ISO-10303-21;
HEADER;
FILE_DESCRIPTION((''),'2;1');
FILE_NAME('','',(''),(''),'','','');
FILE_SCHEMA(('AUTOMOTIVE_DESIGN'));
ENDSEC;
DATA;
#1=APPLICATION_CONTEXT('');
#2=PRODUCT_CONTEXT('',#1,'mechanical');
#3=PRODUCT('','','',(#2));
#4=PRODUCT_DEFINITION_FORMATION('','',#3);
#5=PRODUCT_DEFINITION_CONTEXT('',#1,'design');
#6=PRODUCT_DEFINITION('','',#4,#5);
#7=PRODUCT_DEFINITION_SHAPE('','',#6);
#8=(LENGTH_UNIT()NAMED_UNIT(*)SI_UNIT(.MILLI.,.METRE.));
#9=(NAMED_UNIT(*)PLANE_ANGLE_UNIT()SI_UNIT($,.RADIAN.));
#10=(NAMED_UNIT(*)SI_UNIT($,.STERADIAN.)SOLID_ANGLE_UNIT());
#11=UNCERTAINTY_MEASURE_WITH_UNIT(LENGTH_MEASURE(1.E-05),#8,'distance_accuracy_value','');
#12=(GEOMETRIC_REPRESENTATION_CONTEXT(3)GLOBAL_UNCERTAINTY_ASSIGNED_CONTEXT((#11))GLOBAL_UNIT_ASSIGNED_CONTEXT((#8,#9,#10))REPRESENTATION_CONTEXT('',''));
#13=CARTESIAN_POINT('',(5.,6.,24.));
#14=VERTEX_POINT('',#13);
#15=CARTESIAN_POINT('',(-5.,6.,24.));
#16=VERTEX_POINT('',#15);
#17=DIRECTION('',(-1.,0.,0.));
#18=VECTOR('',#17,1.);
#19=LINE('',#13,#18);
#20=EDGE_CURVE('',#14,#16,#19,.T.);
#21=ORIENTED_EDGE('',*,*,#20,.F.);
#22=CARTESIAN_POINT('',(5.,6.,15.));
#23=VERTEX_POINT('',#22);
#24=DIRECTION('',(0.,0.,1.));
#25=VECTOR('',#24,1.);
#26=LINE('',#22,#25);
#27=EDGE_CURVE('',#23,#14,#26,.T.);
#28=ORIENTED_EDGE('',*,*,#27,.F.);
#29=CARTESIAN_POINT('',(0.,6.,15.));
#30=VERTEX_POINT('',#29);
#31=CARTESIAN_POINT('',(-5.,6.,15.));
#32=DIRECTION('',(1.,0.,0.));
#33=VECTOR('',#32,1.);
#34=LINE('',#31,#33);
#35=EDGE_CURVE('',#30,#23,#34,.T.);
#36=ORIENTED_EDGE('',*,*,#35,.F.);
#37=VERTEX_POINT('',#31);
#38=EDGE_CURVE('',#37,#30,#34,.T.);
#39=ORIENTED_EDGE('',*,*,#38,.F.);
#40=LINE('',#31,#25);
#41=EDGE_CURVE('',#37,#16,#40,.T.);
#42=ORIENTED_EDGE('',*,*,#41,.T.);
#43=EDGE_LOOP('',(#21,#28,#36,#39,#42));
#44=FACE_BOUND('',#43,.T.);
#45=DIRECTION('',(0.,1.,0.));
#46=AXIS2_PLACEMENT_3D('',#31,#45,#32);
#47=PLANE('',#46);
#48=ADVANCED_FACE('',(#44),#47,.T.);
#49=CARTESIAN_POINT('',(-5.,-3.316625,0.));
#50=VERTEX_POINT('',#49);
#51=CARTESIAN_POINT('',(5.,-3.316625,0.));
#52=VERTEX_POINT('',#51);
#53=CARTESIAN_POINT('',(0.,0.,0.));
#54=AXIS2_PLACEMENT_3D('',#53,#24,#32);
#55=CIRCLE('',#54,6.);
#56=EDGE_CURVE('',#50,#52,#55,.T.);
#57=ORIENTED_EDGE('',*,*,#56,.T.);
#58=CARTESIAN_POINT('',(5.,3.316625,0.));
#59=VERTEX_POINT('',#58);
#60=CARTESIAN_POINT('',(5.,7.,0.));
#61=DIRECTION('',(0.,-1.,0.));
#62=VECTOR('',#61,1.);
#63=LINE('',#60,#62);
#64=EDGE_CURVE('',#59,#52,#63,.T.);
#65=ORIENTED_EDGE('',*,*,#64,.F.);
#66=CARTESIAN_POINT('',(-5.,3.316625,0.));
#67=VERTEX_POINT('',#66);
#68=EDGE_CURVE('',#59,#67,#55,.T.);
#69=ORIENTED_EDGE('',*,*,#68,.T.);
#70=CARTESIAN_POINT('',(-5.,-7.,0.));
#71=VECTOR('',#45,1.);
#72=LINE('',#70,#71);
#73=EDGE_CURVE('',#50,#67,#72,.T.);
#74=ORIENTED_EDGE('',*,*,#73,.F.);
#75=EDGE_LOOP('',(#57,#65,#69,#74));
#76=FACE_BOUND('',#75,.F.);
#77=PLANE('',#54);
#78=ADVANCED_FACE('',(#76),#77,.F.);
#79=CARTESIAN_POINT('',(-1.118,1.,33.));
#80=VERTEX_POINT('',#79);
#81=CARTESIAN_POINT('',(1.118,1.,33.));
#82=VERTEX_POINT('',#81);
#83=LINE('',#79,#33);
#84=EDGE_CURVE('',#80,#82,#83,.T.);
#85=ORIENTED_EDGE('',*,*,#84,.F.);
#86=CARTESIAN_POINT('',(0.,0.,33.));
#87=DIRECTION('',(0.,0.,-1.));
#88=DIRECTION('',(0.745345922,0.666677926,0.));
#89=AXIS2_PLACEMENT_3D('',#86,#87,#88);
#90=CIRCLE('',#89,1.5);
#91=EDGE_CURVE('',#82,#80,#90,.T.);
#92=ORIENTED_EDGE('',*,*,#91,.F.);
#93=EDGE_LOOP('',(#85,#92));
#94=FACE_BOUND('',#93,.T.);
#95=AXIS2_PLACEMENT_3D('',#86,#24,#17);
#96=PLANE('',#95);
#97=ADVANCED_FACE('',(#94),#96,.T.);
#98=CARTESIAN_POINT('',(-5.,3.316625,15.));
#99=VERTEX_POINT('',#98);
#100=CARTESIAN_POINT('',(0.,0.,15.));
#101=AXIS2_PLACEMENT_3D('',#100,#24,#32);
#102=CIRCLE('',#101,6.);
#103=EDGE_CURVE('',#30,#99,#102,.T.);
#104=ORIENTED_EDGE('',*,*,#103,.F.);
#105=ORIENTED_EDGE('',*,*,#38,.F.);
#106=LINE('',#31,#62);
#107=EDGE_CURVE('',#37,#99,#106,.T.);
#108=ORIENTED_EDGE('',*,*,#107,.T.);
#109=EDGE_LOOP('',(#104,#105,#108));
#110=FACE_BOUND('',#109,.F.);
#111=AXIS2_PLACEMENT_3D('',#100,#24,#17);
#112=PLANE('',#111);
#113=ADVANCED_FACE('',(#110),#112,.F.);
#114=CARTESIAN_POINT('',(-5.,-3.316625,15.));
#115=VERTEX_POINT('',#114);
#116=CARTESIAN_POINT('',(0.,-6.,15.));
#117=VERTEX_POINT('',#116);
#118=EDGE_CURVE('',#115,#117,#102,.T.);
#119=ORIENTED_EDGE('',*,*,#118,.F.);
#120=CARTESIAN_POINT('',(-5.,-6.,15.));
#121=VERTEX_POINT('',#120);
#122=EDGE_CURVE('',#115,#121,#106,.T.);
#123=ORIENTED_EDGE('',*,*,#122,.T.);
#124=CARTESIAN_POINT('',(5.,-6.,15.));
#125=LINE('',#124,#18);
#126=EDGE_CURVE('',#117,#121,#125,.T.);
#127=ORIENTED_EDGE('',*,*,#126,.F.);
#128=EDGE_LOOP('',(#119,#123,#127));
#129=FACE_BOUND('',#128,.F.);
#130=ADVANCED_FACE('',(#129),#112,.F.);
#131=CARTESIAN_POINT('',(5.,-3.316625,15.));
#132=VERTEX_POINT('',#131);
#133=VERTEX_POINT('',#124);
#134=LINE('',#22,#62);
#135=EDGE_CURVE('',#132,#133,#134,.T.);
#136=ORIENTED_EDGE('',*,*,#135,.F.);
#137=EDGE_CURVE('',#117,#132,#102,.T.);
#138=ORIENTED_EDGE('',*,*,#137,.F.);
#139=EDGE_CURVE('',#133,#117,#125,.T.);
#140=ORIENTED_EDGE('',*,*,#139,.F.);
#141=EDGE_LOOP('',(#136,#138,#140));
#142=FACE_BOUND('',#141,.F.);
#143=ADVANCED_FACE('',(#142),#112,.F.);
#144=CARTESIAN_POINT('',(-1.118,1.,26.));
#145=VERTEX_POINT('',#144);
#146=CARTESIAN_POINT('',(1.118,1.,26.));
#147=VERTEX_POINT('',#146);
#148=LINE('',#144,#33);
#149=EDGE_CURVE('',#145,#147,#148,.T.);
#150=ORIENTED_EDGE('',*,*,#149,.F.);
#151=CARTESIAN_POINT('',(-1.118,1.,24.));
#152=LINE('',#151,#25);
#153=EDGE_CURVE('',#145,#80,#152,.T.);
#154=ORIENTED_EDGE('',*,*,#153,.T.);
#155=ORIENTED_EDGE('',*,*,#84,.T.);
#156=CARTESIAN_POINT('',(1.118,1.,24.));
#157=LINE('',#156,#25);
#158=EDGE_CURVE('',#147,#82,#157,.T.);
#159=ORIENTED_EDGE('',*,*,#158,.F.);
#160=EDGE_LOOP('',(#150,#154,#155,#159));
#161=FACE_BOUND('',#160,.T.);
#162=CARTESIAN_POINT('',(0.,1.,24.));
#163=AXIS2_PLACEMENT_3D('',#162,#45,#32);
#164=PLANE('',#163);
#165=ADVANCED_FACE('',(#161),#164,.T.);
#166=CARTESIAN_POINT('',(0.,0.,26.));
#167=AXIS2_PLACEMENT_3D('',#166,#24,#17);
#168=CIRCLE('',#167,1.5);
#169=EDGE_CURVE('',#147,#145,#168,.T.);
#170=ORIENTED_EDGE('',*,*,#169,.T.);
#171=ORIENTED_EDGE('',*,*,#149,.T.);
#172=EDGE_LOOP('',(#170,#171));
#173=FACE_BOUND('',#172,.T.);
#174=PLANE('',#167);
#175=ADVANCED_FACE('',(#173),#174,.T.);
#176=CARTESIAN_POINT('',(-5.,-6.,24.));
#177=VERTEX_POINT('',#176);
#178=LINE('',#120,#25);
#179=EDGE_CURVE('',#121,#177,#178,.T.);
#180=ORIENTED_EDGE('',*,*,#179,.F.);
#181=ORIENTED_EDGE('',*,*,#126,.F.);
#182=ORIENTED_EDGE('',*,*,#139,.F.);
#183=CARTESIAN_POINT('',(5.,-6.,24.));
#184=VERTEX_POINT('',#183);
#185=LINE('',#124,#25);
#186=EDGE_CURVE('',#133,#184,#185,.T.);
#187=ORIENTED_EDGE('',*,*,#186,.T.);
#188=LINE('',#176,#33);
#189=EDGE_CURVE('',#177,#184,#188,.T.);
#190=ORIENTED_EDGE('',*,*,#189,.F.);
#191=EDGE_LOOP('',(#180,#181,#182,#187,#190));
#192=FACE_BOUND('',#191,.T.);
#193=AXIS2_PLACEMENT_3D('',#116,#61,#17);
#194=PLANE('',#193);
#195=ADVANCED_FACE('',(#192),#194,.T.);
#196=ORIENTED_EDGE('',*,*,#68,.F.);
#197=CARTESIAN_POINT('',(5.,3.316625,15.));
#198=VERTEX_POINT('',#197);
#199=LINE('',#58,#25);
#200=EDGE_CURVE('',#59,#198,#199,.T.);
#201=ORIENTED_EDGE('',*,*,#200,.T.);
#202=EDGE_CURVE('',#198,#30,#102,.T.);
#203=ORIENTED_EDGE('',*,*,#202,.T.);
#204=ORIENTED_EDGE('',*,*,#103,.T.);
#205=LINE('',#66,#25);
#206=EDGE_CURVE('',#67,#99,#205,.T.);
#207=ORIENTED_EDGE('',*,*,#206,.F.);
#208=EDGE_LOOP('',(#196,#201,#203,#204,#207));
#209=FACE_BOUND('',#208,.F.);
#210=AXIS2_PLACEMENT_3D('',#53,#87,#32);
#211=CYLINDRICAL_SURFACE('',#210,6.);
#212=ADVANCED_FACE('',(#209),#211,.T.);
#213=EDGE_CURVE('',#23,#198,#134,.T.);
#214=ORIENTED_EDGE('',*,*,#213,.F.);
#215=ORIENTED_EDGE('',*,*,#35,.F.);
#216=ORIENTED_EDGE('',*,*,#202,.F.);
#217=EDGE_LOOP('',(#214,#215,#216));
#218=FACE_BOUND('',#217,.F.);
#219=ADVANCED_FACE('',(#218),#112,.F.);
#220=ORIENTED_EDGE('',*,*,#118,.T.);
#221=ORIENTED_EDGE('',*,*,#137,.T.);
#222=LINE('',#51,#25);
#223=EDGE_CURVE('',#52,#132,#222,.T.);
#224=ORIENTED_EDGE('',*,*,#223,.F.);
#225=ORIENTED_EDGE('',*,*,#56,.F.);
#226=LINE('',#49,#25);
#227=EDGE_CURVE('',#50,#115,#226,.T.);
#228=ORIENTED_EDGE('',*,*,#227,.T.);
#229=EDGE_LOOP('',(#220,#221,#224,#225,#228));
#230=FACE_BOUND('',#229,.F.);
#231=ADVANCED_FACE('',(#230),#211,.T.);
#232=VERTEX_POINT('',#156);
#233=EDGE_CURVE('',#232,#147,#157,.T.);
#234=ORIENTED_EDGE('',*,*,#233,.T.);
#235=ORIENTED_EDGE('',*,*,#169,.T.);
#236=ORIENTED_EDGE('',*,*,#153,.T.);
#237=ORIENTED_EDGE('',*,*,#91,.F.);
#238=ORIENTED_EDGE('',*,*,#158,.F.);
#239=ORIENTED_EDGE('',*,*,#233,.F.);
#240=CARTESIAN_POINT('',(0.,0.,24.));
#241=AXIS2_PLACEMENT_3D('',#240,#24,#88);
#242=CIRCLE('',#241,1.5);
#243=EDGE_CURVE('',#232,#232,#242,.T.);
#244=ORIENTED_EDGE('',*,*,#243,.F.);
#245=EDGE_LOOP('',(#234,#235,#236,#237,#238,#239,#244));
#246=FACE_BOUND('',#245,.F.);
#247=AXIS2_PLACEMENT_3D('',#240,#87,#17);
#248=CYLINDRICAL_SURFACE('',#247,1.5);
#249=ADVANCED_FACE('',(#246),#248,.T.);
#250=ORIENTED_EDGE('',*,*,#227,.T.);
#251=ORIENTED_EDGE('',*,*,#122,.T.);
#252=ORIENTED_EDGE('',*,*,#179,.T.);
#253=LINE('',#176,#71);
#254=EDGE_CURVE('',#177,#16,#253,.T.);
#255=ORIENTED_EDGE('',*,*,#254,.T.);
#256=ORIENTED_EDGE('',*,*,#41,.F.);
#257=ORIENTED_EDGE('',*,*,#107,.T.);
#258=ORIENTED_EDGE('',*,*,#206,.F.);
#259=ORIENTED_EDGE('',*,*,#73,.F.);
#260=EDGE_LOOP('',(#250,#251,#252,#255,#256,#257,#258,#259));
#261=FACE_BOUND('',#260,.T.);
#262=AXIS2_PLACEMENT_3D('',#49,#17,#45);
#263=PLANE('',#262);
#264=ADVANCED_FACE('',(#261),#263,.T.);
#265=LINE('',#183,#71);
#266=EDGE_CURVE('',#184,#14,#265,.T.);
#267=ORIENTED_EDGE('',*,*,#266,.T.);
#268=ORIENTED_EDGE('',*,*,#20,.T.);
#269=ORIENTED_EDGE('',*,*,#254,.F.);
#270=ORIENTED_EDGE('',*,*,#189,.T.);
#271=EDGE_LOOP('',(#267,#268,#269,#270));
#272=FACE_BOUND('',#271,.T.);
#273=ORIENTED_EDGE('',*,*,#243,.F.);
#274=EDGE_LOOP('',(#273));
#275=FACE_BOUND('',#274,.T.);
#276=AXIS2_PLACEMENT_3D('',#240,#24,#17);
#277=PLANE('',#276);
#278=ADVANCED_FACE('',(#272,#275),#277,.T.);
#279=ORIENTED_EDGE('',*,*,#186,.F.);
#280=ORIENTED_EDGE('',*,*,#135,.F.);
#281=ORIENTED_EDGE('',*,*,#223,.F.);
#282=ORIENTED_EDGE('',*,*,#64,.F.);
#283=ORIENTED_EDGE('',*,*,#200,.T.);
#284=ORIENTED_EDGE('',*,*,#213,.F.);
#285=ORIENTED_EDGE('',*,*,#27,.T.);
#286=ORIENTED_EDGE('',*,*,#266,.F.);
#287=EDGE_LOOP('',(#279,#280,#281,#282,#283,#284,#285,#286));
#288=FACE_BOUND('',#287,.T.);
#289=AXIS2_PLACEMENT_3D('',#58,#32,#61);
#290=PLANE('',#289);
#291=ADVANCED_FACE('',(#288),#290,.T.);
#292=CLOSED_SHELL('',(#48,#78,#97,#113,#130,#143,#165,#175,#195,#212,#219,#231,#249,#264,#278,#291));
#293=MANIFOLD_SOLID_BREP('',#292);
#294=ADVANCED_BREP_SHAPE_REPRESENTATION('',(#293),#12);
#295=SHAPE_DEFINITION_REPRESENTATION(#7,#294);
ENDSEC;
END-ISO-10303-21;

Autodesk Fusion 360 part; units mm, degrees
sketch "Sketch1" plane through (0, 0, 0) normal (0, 0, 1) x (1, 0, 0)
  circle A0 centre (0, 0) radius 6
  line L0 (5, -7) -> (-5, -7)
  line L1 (-5, -7) -> (-5, 7)
  line L2 (-5, 7) -> (5, 7)
  line L3 (5, 7) -> (5, -7)
  line L4 (5, -7) -> (-5, 7) construction
  line L5 (-5, -7) -> (5, 7) construction
  dimension "d1" = 12
extrude "Extrude1" add sketch "Sketch1" along normal blind 15 contours A0 L1 L3
sketch "Sketch2" plane through (0, 0, 0) normal (0, 0, 1) x (1, 0, 0)
  line L0 (5, -6) -> (-5, -6)
  line L1 (-5, -6) -> (-5, 6)
  line L2 (-5, 6) -> (5, 6)
  line L3 (5, 6) -> (5, -6)
  line L4 (5, -6) -> (-5, 6) construction
  line L5 (-5, -6) -> (5, 6) construction
sketch "Sketch3" plane through (0, 0, 0) normal (0, 0, 1) x (1, 0, 0)
sketch "Sketch4" plane through (0, 0, 0) normal (0, 0, 1) x (1, 0, 0)
sketch "Sketch5" plane through (0, 0, 15) normal (0, 0, 1) x (-1, 0, 0)
  arc A0 (5, 3.3166) -> (-5, 3.3166) centre (0, 0) ccw
  line L0 (-5, 3.3166) -> (-5, -3.3166)
  arc A1 (-5, -3.3166) -> (5, -3.3166) centre (0, 0) ccw
  line L1 (5, -3.3166) -> (5, 3.3166)
  line L2 (-5, 6) -> (5, 6)
  line L3 (5, 6) -> (5, -6)
  line L4 (5, -6) -> (-5, -6)
  line L5 (-5, -6) -> (-5, 6)
  line L6 (-5, 6) -> (5, -6) construction
  line L7 (5, 6) -> (-5, -6) construction
extrude "Extrude2" add sketch "Sketch5" along normal blind 9
sketch "Sketch6" plane through (0, 0, 24) normal (0, 0, 1) x (-1, 0, 0)
  line L0 (-5, -6) -> (5, -6)
  line L1 (5, -6) -> (5, 6)
  line L2 (5, 6) -> (-5, 6)
  line L3 (-5, 6) -> (-5, -6)
  circle A0 centre (0, 0) radius 1.5
  line L4 (0, 0) -> (0, -1)
  line L5 (0, -1) -> (-1.118, -1)
  line L6 (0, -1) -> (1.118, -1)
  line L7 (1.118, -1) -> (-1.118, -1)
  dimension "d6" = 3
extrude "Extrude3" add sketch "Sketch6" along normal blind 9 contours A0 L5 L6 L7 picked at (0.0074, 0.6639)
extrude "Extrude5" add sketch "Sketch6" along normal blind 2 contours A0 L5 L6 L7 picked at (0.0699, -1.3284)
extrude "Extrude4" [suppressed]
